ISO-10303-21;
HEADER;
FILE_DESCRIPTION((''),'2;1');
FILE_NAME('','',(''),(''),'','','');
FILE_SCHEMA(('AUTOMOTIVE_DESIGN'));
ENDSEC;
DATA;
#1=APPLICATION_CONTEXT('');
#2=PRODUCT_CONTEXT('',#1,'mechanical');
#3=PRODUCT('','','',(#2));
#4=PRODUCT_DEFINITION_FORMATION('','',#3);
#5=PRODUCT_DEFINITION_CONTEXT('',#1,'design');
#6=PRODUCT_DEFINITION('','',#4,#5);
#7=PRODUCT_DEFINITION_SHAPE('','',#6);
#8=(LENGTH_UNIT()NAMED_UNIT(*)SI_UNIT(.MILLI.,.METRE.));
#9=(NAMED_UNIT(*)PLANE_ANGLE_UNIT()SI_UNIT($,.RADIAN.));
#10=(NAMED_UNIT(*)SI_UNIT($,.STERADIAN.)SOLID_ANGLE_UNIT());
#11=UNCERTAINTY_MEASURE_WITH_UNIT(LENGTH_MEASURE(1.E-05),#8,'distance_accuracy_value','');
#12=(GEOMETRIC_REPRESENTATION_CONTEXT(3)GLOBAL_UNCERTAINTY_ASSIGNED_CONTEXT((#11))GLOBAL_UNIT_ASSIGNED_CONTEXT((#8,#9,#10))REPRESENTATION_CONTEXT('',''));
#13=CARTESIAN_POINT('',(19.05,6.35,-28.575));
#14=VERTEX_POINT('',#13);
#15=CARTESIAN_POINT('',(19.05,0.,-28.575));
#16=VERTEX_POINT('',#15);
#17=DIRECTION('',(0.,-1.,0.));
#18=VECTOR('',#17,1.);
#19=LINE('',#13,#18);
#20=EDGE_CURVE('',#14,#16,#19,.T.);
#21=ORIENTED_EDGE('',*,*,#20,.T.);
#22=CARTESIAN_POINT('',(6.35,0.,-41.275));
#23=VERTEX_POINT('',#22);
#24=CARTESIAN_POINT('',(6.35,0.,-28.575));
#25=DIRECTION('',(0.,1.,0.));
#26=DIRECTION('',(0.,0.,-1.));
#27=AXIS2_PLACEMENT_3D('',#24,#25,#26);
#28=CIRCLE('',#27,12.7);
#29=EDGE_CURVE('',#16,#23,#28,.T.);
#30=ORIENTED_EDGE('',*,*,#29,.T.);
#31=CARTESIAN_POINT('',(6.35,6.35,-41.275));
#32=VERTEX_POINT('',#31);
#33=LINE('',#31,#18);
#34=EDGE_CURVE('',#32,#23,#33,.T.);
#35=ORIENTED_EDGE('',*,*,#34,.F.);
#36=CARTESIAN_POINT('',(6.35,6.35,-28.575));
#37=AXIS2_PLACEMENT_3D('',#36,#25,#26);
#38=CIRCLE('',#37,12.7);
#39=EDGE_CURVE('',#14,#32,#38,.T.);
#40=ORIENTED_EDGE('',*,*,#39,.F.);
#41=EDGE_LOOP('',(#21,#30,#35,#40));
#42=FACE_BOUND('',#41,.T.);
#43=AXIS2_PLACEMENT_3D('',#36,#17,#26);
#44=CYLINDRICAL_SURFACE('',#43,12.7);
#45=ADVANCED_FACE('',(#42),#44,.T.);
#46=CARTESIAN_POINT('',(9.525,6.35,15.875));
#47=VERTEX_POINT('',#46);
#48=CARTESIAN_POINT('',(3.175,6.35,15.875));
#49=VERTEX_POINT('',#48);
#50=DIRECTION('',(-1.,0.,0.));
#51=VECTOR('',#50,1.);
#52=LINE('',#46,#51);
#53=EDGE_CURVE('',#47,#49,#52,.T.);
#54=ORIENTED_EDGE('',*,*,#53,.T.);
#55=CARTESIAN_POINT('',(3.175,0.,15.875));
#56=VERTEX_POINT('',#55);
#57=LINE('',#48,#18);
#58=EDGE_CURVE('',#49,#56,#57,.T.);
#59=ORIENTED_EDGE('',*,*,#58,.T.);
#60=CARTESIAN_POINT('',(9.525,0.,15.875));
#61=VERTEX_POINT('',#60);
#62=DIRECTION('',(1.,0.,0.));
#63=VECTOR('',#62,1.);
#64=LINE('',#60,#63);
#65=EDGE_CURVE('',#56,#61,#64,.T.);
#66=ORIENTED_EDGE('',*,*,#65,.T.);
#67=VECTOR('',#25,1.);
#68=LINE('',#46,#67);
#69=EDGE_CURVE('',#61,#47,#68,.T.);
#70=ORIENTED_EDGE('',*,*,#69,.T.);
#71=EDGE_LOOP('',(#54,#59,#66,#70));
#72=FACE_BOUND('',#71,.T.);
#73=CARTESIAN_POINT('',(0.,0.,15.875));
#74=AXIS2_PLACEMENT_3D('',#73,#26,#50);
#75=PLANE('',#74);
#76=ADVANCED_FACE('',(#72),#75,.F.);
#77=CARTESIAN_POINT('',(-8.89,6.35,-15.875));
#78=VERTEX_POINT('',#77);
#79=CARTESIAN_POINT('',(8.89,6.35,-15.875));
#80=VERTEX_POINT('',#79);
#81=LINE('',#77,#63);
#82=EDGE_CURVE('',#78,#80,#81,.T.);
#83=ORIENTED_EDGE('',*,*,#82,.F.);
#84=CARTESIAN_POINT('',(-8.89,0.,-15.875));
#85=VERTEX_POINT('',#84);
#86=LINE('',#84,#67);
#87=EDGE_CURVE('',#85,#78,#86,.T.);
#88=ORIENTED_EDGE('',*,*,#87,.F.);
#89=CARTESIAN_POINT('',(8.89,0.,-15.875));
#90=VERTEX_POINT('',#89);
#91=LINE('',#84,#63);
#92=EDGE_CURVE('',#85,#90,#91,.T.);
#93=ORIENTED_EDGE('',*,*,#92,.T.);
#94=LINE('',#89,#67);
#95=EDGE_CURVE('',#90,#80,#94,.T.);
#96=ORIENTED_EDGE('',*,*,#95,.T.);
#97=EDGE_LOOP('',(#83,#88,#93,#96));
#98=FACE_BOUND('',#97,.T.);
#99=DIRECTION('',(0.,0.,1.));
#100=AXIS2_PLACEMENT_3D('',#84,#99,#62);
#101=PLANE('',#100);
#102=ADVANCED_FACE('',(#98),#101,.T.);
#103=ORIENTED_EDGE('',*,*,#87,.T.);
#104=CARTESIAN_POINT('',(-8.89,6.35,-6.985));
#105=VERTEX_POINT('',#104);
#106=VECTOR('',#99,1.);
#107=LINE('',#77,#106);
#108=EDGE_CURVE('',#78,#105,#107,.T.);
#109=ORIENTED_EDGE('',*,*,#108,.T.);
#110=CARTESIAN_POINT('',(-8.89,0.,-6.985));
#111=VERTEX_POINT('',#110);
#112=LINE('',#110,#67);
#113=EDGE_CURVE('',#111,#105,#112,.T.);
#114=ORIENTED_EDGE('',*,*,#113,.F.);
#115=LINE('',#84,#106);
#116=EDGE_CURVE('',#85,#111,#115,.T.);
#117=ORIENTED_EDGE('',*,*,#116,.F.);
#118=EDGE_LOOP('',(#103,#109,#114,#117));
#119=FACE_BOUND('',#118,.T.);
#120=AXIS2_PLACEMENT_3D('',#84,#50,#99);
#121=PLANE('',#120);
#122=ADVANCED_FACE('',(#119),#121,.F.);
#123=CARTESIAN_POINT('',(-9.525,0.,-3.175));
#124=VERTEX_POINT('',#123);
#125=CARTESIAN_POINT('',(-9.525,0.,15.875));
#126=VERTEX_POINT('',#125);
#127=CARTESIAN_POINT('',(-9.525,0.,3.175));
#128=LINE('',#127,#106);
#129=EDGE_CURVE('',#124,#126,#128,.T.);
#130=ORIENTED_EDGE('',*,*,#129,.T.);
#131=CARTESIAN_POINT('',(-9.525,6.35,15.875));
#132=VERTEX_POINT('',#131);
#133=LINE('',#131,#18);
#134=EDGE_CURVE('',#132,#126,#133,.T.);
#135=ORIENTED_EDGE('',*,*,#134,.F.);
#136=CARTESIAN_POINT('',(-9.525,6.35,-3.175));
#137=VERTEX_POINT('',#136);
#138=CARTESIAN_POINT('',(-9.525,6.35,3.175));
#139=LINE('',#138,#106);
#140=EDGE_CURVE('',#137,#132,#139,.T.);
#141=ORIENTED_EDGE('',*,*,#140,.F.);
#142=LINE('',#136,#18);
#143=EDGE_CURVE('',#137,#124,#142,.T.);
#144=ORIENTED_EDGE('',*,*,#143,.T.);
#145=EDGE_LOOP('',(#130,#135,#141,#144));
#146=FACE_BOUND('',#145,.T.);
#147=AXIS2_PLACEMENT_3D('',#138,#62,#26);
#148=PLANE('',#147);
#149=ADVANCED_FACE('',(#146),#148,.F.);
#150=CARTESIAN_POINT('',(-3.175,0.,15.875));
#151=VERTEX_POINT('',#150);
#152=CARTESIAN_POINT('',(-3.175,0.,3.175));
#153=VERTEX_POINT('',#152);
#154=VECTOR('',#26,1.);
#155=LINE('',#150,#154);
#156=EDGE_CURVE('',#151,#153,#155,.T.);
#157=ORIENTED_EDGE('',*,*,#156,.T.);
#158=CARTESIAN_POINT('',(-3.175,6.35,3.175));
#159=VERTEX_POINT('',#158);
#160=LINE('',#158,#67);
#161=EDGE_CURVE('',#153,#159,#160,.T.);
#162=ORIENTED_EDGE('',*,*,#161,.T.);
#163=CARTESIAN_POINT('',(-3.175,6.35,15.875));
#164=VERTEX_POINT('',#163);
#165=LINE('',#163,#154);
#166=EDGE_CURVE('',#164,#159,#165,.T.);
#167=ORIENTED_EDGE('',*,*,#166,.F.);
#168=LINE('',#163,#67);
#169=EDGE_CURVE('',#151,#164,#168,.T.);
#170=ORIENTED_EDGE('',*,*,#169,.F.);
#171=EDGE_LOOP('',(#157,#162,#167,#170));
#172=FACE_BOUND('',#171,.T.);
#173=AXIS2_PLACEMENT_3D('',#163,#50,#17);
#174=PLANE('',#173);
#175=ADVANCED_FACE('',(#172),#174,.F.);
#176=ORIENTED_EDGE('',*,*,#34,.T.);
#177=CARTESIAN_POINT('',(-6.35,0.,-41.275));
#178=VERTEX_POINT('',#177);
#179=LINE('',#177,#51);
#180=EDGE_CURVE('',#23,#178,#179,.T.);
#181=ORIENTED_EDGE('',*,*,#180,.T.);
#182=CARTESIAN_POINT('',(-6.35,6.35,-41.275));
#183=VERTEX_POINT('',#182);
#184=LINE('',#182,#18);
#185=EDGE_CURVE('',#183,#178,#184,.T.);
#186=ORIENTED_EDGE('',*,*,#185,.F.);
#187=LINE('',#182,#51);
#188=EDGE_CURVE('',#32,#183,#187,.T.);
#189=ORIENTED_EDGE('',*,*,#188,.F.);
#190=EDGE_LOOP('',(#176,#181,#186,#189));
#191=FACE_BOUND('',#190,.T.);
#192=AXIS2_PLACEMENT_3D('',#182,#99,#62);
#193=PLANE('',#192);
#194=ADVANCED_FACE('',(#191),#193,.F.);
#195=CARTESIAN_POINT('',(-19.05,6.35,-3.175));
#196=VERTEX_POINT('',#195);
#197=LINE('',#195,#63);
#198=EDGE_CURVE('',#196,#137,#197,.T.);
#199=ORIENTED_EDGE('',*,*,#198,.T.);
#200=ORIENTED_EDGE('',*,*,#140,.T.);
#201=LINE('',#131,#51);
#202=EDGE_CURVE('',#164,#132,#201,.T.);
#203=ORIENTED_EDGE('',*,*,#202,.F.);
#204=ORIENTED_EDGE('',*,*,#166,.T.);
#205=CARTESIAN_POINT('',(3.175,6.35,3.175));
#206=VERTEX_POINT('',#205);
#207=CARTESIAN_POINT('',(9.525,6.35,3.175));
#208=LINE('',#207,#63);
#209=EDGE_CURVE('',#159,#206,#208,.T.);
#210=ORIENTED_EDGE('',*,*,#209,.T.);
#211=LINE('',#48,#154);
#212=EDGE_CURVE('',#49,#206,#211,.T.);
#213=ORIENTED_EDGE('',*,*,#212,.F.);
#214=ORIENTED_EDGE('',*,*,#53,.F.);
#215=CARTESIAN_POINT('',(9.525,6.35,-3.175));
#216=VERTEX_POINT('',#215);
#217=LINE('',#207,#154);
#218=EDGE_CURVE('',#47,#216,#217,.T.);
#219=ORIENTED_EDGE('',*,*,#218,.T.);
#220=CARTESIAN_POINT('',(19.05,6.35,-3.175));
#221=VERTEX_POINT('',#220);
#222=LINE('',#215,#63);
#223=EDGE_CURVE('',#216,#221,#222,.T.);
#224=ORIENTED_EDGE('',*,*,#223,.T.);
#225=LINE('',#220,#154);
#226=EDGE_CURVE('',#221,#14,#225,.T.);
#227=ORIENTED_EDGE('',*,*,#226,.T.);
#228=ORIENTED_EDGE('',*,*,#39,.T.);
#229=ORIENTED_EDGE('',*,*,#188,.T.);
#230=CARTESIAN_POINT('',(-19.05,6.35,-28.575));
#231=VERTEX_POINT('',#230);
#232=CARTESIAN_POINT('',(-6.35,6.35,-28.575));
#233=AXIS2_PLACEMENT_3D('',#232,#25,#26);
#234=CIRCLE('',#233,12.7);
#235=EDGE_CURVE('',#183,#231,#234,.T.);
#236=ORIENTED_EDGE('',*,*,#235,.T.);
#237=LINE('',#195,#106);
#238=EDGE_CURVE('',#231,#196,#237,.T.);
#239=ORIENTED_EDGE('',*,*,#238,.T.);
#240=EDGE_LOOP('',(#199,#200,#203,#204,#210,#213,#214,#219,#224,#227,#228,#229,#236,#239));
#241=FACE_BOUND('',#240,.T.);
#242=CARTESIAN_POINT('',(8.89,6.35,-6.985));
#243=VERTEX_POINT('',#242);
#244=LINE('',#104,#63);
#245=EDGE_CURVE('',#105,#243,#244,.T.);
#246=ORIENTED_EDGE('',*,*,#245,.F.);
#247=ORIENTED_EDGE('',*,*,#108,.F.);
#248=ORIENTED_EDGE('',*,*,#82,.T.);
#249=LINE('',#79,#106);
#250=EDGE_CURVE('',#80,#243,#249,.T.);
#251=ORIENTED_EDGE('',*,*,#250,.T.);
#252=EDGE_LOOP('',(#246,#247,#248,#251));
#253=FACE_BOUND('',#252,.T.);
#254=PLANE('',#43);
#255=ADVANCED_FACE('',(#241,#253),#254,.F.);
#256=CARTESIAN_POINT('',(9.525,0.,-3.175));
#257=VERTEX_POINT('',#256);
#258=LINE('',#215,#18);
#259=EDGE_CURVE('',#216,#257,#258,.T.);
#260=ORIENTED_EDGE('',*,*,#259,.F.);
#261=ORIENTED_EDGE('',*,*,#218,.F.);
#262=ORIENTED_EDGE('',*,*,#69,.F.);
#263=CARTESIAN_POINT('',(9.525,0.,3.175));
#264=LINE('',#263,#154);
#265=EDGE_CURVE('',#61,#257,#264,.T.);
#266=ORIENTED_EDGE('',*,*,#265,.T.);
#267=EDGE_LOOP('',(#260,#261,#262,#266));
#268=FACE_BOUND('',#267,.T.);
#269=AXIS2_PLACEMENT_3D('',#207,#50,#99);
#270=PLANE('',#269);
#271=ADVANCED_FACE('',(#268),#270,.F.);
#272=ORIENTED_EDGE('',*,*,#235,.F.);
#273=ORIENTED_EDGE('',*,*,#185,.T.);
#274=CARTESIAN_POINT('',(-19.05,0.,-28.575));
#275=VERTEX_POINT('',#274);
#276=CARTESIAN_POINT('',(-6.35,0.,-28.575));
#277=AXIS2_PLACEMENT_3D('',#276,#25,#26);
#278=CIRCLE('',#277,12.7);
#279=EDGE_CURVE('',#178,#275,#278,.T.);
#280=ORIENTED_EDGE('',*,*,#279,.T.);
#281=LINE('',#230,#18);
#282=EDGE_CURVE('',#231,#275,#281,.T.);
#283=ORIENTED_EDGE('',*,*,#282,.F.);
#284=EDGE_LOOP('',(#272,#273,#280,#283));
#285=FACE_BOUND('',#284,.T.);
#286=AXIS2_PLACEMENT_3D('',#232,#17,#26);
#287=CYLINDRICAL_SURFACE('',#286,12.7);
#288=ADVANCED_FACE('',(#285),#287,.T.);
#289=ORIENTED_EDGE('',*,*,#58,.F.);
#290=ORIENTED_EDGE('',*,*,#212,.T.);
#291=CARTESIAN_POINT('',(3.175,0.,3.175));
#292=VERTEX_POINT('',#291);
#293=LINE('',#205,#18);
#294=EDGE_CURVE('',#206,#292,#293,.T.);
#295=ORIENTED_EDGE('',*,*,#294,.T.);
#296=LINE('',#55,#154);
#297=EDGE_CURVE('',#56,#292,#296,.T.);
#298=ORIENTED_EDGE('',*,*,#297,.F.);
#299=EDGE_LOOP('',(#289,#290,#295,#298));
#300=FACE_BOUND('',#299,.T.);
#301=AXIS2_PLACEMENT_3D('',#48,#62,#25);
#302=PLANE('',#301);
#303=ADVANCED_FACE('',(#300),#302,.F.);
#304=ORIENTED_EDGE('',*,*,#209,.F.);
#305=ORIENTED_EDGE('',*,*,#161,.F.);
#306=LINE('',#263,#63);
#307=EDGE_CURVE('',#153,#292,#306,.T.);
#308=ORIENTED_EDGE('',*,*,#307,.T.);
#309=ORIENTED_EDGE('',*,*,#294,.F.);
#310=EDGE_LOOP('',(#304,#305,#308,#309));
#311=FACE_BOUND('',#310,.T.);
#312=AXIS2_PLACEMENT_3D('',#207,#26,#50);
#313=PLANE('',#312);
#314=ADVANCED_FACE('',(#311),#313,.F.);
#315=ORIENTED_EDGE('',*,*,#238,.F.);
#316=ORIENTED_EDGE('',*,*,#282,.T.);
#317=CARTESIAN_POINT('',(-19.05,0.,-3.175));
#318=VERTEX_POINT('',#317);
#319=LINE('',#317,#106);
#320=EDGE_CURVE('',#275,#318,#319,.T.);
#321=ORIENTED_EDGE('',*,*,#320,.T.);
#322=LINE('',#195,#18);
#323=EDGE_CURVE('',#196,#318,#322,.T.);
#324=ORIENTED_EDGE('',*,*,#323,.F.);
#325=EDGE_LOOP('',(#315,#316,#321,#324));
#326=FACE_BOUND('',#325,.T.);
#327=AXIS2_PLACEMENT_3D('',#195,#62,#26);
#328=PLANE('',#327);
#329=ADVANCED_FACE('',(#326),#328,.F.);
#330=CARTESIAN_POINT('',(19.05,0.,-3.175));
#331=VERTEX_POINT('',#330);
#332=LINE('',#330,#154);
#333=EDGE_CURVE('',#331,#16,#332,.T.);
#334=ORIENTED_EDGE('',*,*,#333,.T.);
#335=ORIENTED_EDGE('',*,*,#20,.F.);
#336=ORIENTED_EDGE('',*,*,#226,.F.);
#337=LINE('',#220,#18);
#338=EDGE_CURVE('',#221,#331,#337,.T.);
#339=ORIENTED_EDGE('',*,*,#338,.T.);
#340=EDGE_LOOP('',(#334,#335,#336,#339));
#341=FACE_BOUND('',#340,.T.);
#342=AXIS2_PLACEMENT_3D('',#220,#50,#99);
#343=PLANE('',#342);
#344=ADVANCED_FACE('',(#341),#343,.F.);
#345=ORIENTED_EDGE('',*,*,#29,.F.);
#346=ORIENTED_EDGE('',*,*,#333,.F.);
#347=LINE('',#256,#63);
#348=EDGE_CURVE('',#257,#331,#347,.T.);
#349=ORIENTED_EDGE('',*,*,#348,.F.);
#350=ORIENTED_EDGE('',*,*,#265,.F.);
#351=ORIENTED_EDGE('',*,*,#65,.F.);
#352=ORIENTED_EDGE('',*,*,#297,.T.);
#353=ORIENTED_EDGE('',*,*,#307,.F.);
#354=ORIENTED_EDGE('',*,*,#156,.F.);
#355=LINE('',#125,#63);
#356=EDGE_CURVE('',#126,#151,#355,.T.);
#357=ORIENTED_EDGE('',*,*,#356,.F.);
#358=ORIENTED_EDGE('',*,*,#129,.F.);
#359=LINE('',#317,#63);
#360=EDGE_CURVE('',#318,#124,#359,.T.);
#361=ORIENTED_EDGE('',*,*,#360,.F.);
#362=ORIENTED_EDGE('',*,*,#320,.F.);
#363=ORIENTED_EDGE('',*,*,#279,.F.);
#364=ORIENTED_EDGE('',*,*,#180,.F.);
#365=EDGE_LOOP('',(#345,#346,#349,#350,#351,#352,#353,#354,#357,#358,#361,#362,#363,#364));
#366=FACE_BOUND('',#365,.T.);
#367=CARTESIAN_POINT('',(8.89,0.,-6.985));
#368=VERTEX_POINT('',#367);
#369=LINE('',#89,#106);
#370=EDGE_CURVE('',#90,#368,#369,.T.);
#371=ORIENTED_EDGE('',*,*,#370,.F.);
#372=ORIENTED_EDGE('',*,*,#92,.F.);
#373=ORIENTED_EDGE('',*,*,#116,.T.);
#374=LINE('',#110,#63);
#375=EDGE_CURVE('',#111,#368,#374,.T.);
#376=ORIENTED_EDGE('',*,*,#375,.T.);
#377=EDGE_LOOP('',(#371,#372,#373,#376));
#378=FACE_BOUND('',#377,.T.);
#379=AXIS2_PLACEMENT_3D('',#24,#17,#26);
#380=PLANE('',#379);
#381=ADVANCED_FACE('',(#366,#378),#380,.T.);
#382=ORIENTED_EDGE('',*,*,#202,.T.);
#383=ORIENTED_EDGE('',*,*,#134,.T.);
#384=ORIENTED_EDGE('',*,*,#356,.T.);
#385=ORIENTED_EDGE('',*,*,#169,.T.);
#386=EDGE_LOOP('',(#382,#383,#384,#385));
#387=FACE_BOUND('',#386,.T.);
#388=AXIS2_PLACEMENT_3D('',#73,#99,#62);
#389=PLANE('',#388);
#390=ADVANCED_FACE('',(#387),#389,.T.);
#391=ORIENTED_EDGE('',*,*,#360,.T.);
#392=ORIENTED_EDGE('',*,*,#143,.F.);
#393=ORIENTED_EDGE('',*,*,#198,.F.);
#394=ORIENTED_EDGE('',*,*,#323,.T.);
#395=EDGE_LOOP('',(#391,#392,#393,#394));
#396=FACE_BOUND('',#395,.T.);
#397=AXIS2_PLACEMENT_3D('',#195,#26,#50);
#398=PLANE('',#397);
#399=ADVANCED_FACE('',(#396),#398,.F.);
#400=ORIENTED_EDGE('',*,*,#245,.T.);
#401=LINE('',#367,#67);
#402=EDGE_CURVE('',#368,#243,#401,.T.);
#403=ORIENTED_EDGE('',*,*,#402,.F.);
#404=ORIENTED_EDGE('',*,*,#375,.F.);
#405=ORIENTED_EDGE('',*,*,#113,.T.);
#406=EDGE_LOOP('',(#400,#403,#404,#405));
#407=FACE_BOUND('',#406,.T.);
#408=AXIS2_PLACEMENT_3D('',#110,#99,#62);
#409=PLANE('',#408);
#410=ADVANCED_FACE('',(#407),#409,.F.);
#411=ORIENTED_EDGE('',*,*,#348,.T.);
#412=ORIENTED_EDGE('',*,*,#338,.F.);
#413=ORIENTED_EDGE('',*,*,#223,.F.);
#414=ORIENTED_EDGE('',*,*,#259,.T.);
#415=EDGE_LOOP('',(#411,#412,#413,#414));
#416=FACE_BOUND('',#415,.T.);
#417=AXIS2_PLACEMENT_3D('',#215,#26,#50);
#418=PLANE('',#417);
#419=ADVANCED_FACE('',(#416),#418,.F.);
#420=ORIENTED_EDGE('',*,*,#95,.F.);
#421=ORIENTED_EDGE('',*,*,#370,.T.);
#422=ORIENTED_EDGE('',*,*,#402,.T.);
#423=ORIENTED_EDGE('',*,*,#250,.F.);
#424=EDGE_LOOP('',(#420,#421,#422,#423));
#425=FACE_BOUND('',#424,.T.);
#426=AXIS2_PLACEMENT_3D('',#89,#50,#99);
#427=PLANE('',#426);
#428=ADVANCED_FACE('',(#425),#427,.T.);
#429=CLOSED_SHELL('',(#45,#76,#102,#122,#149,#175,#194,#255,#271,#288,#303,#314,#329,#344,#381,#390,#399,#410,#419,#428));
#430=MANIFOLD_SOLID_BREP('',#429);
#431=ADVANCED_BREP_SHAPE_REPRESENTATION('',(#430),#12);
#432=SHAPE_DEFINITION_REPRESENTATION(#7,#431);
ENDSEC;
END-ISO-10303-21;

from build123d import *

# Parameters (mm, degrees)
BOSS_EXTRUDE1_DEPTH = 6.35
SKETCH2_W           = 17.78
SKETCH2_H           = 8.89
CUT_EXTRUDE1_DEPTH  = 6.35
SKETCH3_W           = 6.35
SKETCH3_H           = 6.35
BOSS_EXTRUDE2_DEPTH = 12.7


with BuildPart() as part:
    # Sketch1 → Boss-Extrude1 (new body)
    with BuildSketch(Plane(origin=(0, 0, 0), x_dir=(1, 0, 0), z_dir=(0, 1, 0))):
        with BuildLine():
            Line((9.525, -3.175), (-9.525, -3.175))
            Line((-9.525, -3.175), (-9.525, 3.175))
            Line((-9.525, 3.175), (-19.05, 3.175))
            Line((-19.05, 3.175), (-19.05, 28.575))
            ThreePointArc((-19.05, 28.575), (-15.330256121, 37.555256121), (-6.35, 41.275))
            Line((-6.35, 41.275), (6.35, 41.275))
            ThreePointArc((6.35, 41.275), (15.330256121, 37.555256121), (19.05, 28.575))
            Line((19.05, 28.575), (19.05, 3.175))
            Line((19.05, 3.175), (9.525, 3.175))
            Line((9.525, 3.175), (9.525, -3.175))
        make_face()
    extrude(amount=BOSS_EXTRUDE1_DEPTH)

    # Sketch2 → Cut-Extrude1 (cut)
    with BuildSketch(Plane(origin=(0, 6.35, 0), x_dir=(1, 0, 0), z_dir=(0, 1, 0))):
        with Locations((0, 11.43)):
            Rectangle(SKETCH2_W, SKETCH2_H)
    extrude(amount=-CUT_EXTRUDE1_DEPTH, mode=Mode.SUBTRACT)

    # Sketch3 → Boss-Extrude2 (add)
    with BuildSketch(Plane.XY.offset(3.175)):
        with Locations((-6.35, 3.175)):
            Rectangle(SKETCH3_W, SKETCH3_H)
        with Locations((6.35, 3.175)):
            Rectangle(SKETCH3_W, SKETCH3_H)
    extrude(amount=BOSS_EXTRUDE2_DEPTH)


solid = part.part
